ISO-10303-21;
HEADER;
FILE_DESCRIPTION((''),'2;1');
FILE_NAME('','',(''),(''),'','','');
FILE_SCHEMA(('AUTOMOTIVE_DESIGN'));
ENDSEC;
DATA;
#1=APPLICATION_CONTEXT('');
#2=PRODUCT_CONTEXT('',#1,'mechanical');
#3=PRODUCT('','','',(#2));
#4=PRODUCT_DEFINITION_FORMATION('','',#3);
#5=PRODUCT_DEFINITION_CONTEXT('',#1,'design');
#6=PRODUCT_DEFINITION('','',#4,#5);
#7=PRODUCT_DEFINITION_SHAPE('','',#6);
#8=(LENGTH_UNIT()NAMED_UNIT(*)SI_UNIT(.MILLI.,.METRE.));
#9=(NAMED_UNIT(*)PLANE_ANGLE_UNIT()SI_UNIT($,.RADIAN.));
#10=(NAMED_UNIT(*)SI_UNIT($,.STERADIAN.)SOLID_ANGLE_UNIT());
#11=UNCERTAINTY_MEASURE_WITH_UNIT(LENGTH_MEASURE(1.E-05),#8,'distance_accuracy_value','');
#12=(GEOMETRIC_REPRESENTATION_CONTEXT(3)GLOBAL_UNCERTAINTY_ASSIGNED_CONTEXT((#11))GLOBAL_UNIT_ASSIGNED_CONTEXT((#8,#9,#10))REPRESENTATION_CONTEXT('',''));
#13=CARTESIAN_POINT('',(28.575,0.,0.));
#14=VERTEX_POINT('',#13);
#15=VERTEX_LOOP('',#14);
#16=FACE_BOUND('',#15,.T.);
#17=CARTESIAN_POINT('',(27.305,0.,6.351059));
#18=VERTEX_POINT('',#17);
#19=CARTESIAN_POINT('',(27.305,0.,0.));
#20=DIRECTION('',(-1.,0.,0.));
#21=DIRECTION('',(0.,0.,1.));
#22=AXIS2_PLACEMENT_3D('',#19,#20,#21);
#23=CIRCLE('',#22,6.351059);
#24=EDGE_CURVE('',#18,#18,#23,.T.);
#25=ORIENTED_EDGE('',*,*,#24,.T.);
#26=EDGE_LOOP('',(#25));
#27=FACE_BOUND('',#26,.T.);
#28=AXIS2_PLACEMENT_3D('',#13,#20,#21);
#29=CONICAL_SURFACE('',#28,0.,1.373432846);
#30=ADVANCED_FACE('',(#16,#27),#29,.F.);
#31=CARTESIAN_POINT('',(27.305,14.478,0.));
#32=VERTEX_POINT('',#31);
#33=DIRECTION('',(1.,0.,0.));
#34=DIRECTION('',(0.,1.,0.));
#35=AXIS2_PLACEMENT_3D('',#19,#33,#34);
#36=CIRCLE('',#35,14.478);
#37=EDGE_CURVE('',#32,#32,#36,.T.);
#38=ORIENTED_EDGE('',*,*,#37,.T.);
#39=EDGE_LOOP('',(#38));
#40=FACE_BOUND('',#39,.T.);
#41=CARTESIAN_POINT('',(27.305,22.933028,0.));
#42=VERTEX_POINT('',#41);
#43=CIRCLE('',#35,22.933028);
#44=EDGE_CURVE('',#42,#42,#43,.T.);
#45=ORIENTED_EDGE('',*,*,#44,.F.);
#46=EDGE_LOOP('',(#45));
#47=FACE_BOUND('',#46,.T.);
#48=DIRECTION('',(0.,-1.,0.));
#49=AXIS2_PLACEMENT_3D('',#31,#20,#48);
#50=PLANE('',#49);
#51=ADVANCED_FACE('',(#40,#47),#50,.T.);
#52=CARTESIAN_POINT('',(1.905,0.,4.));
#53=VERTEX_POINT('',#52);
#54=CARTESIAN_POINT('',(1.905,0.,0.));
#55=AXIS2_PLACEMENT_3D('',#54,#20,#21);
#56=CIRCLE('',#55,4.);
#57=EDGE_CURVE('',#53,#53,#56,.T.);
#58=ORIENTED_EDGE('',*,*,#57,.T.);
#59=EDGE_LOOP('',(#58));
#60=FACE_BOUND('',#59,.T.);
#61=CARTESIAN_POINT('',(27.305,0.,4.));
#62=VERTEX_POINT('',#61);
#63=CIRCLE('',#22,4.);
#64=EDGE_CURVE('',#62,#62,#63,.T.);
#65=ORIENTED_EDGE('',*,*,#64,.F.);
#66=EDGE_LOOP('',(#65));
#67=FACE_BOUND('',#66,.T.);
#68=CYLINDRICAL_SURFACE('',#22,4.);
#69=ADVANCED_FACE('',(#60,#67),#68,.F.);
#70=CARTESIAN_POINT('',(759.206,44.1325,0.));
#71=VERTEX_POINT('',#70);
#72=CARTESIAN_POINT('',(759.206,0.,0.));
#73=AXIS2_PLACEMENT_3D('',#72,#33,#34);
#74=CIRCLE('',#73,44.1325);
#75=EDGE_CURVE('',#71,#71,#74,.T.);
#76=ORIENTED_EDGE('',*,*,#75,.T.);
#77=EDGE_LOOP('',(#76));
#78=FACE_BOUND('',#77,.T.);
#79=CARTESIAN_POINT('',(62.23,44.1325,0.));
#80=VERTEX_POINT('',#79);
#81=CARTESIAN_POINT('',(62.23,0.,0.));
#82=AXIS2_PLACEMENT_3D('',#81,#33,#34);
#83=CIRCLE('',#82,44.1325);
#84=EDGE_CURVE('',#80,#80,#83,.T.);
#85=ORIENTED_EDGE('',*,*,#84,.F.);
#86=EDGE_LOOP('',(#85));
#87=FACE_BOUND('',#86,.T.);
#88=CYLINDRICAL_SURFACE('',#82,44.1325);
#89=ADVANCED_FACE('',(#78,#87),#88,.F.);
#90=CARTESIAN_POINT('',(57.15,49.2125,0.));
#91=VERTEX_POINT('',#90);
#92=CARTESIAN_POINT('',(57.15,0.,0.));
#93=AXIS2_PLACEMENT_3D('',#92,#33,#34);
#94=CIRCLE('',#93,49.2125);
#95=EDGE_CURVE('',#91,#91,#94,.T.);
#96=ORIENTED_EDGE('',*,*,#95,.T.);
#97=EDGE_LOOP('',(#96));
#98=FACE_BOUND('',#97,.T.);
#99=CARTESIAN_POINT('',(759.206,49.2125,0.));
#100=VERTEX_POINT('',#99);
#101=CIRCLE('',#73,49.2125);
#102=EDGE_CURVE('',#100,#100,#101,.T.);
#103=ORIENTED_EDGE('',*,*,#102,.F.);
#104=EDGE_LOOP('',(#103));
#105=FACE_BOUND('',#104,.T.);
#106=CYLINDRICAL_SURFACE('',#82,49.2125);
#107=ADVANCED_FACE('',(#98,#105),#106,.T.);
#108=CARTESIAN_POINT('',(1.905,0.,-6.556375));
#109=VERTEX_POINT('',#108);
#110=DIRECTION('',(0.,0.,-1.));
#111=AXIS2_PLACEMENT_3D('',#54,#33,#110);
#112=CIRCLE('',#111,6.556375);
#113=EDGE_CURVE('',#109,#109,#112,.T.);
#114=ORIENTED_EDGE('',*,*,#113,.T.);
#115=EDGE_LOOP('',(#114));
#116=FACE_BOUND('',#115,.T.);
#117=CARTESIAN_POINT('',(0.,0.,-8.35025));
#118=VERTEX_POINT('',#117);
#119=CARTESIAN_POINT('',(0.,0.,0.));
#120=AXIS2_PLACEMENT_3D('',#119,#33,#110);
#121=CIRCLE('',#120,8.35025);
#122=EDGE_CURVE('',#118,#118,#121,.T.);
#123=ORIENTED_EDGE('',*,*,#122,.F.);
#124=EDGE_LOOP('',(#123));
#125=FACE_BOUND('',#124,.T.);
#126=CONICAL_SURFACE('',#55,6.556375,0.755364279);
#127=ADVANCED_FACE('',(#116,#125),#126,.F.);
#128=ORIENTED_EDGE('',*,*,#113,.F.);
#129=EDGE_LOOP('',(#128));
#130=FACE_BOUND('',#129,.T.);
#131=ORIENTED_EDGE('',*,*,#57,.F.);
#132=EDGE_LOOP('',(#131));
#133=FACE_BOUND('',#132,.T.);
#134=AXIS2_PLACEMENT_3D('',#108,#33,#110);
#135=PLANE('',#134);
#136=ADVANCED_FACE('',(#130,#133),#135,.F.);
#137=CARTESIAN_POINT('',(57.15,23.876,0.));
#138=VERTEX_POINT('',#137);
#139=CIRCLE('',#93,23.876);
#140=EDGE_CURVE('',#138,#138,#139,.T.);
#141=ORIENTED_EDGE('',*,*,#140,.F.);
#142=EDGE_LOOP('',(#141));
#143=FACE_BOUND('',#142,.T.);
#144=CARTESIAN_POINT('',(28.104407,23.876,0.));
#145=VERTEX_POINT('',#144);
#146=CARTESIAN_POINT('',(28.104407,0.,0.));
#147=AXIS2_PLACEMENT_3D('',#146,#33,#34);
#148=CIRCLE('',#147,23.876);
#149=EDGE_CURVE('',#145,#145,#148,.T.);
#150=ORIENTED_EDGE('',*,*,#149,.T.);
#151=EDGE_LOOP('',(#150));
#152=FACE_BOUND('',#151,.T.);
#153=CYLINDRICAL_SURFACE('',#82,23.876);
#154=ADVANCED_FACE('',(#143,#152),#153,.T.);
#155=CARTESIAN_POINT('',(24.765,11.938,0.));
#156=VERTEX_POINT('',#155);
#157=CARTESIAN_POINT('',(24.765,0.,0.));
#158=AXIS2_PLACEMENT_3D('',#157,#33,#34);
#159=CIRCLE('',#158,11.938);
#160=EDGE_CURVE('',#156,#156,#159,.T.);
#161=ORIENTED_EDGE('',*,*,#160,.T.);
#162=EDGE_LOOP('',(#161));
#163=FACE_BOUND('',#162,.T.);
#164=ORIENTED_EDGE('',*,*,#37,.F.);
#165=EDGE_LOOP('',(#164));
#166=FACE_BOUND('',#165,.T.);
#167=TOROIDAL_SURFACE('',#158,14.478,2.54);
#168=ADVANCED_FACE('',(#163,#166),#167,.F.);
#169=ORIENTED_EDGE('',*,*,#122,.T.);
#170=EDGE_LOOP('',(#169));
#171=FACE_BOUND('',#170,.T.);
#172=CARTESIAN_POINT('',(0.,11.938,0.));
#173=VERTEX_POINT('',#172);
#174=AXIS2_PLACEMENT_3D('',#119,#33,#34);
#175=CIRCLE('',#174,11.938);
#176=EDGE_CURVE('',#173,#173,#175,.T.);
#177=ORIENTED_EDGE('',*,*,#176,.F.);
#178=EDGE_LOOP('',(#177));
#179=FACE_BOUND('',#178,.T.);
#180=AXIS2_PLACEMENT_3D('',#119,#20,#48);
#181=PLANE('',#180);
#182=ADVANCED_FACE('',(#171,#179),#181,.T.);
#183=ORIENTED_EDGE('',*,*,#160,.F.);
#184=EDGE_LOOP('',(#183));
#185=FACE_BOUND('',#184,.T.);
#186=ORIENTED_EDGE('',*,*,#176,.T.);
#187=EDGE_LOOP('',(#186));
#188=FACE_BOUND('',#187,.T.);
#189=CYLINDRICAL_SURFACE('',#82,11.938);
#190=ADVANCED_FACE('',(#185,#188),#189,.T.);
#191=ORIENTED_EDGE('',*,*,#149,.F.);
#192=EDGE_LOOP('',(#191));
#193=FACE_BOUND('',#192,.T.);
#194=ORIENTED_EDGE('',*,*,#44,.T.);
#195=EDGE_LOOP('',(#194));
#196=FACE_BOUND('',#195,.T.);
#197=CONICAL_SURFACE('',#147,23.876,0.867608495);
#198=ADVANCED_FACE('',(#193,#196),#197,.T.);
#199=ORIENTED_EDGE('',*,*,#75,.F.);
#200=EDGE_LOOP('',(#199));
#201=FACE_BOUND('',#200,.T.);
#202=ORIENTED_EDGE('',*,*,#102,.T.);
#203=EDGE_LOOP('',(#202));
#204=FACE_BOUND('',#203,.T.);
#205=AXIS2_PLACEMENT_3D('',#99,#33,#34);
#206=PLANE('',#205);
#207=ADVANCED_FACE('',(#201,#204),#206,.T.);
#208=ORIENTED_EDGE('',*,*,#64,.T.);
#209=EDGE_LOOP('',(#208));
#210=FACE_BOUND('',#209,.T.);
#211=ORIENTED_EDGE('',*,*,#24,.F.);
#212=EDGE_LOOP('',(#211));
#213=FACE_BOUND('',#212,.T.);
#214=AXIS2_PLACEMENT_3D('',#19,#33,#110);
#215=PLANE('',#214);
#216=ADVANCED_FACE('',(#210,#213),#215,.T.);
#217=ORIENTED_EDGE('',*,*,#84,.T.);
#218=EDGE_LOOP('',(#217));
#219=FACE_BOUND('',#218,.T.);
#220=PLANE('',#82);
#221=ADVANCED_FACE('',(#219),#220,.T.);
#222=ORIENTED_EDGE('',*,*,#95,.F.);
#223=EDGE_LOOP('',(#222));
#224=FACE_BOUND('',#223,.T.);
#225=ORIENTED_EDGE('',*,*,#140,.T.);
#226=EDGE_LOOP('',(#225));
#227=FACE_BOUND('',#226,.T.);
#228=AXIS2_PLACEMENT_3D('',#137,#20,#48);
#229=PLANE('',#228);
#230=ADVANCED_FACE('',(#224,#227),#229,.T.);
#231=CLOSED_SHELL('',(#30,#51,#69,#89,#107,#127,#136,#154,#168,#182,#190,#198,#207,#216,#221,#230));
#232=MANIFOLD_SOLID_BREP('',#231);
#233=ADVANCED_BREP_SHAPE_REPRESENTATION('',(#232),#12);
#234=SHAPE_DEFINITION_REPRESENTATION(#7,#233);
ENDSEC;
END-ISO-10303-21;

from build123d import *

# Parameters (mm, degrees)
SKETCH19_R         = 4
CUT_EXTRUDE3_DEPTH = 25.4


with BuildPart() as part:
    # Sketch1 → Revolve1 (revolve)
    with BuildSketch(Plane.XY):
        with BuildLine():
            Line((0, 0), (0, 11.938))
            Line((0, 11.938), (24.765, 11.938))
            ThreePointArc((24.765, 11.938), (26.561051224, 12.681948776), (27.305, 14.478))
            Line((27.305, 14.478), (27.305, 22.933028409))
            Line((27.305, 22.933028409), (28.104406531, 23.876))
            Line((28.104406531, 23.876), (57.15, 23.876))
            Line((57.15, 23.876), (57.15, 49.2125))
            Line((57.15, 49.2125), (759.206, 49.2125))
            Line((759.206, 49.2125), (759.206, 44.1325))
            Line((759.206, 44.1325), (62.23, 44.1325))
            Line((62.23, 44.1325), (62.23, 0))
            Line((62.23, 0), (0, 0))
        make_face()
    revolve(axis=Axis((62.23, 0, 0), (-1, 0, 0)))

    # Sketch16 → Cut-Revolve1 (revolve, cut)
    with BuildSketch(Plane(origin=(0, 0, 0), x_dir=(1, 0, 0), z_dir=(0, 1, 0))):
        Polygon((0, 0), (0, 8.35025), (1.905, 6.556375), (1.905, 0), align=None)
    revolve(axis=Axis((1.905, 0, 0), (-1, 0, 0)), mode=Mode.SUBTRACT)

    # Sketch19 → Cut-Extrude3 (cut)
    with BuildSketch(Plane.ZY.offset(-1.905)):
        Circle(SKETCH19_R)
    extrude(amount=-CUT_EXTRUDE3_DEPTH, mode=Mode.SUBTRACT)

    # Sketch32 → Cut-Revolve6 (revolve, cut)
    with BuildSketch(Plane(origin=(0, 0, 0), x_dir=(1, 0, 0), z_dir=(0, 1, 0)), mode=Mode.PRIVATE) as cut_revolve6_sk:
        Polygon((27.305, 0), (28.575, 0), (27.305, 6.351059428), align=None)
    revolve(cut_revolve6_sk.sketch.rotate(Axis((27.305, 0, 0), (1, 0, 0)), 180), axis=Axis((27.305, 0, 0), (1, 0, 0)), mode=Mode.SUBTRACT)


solid = part.part
